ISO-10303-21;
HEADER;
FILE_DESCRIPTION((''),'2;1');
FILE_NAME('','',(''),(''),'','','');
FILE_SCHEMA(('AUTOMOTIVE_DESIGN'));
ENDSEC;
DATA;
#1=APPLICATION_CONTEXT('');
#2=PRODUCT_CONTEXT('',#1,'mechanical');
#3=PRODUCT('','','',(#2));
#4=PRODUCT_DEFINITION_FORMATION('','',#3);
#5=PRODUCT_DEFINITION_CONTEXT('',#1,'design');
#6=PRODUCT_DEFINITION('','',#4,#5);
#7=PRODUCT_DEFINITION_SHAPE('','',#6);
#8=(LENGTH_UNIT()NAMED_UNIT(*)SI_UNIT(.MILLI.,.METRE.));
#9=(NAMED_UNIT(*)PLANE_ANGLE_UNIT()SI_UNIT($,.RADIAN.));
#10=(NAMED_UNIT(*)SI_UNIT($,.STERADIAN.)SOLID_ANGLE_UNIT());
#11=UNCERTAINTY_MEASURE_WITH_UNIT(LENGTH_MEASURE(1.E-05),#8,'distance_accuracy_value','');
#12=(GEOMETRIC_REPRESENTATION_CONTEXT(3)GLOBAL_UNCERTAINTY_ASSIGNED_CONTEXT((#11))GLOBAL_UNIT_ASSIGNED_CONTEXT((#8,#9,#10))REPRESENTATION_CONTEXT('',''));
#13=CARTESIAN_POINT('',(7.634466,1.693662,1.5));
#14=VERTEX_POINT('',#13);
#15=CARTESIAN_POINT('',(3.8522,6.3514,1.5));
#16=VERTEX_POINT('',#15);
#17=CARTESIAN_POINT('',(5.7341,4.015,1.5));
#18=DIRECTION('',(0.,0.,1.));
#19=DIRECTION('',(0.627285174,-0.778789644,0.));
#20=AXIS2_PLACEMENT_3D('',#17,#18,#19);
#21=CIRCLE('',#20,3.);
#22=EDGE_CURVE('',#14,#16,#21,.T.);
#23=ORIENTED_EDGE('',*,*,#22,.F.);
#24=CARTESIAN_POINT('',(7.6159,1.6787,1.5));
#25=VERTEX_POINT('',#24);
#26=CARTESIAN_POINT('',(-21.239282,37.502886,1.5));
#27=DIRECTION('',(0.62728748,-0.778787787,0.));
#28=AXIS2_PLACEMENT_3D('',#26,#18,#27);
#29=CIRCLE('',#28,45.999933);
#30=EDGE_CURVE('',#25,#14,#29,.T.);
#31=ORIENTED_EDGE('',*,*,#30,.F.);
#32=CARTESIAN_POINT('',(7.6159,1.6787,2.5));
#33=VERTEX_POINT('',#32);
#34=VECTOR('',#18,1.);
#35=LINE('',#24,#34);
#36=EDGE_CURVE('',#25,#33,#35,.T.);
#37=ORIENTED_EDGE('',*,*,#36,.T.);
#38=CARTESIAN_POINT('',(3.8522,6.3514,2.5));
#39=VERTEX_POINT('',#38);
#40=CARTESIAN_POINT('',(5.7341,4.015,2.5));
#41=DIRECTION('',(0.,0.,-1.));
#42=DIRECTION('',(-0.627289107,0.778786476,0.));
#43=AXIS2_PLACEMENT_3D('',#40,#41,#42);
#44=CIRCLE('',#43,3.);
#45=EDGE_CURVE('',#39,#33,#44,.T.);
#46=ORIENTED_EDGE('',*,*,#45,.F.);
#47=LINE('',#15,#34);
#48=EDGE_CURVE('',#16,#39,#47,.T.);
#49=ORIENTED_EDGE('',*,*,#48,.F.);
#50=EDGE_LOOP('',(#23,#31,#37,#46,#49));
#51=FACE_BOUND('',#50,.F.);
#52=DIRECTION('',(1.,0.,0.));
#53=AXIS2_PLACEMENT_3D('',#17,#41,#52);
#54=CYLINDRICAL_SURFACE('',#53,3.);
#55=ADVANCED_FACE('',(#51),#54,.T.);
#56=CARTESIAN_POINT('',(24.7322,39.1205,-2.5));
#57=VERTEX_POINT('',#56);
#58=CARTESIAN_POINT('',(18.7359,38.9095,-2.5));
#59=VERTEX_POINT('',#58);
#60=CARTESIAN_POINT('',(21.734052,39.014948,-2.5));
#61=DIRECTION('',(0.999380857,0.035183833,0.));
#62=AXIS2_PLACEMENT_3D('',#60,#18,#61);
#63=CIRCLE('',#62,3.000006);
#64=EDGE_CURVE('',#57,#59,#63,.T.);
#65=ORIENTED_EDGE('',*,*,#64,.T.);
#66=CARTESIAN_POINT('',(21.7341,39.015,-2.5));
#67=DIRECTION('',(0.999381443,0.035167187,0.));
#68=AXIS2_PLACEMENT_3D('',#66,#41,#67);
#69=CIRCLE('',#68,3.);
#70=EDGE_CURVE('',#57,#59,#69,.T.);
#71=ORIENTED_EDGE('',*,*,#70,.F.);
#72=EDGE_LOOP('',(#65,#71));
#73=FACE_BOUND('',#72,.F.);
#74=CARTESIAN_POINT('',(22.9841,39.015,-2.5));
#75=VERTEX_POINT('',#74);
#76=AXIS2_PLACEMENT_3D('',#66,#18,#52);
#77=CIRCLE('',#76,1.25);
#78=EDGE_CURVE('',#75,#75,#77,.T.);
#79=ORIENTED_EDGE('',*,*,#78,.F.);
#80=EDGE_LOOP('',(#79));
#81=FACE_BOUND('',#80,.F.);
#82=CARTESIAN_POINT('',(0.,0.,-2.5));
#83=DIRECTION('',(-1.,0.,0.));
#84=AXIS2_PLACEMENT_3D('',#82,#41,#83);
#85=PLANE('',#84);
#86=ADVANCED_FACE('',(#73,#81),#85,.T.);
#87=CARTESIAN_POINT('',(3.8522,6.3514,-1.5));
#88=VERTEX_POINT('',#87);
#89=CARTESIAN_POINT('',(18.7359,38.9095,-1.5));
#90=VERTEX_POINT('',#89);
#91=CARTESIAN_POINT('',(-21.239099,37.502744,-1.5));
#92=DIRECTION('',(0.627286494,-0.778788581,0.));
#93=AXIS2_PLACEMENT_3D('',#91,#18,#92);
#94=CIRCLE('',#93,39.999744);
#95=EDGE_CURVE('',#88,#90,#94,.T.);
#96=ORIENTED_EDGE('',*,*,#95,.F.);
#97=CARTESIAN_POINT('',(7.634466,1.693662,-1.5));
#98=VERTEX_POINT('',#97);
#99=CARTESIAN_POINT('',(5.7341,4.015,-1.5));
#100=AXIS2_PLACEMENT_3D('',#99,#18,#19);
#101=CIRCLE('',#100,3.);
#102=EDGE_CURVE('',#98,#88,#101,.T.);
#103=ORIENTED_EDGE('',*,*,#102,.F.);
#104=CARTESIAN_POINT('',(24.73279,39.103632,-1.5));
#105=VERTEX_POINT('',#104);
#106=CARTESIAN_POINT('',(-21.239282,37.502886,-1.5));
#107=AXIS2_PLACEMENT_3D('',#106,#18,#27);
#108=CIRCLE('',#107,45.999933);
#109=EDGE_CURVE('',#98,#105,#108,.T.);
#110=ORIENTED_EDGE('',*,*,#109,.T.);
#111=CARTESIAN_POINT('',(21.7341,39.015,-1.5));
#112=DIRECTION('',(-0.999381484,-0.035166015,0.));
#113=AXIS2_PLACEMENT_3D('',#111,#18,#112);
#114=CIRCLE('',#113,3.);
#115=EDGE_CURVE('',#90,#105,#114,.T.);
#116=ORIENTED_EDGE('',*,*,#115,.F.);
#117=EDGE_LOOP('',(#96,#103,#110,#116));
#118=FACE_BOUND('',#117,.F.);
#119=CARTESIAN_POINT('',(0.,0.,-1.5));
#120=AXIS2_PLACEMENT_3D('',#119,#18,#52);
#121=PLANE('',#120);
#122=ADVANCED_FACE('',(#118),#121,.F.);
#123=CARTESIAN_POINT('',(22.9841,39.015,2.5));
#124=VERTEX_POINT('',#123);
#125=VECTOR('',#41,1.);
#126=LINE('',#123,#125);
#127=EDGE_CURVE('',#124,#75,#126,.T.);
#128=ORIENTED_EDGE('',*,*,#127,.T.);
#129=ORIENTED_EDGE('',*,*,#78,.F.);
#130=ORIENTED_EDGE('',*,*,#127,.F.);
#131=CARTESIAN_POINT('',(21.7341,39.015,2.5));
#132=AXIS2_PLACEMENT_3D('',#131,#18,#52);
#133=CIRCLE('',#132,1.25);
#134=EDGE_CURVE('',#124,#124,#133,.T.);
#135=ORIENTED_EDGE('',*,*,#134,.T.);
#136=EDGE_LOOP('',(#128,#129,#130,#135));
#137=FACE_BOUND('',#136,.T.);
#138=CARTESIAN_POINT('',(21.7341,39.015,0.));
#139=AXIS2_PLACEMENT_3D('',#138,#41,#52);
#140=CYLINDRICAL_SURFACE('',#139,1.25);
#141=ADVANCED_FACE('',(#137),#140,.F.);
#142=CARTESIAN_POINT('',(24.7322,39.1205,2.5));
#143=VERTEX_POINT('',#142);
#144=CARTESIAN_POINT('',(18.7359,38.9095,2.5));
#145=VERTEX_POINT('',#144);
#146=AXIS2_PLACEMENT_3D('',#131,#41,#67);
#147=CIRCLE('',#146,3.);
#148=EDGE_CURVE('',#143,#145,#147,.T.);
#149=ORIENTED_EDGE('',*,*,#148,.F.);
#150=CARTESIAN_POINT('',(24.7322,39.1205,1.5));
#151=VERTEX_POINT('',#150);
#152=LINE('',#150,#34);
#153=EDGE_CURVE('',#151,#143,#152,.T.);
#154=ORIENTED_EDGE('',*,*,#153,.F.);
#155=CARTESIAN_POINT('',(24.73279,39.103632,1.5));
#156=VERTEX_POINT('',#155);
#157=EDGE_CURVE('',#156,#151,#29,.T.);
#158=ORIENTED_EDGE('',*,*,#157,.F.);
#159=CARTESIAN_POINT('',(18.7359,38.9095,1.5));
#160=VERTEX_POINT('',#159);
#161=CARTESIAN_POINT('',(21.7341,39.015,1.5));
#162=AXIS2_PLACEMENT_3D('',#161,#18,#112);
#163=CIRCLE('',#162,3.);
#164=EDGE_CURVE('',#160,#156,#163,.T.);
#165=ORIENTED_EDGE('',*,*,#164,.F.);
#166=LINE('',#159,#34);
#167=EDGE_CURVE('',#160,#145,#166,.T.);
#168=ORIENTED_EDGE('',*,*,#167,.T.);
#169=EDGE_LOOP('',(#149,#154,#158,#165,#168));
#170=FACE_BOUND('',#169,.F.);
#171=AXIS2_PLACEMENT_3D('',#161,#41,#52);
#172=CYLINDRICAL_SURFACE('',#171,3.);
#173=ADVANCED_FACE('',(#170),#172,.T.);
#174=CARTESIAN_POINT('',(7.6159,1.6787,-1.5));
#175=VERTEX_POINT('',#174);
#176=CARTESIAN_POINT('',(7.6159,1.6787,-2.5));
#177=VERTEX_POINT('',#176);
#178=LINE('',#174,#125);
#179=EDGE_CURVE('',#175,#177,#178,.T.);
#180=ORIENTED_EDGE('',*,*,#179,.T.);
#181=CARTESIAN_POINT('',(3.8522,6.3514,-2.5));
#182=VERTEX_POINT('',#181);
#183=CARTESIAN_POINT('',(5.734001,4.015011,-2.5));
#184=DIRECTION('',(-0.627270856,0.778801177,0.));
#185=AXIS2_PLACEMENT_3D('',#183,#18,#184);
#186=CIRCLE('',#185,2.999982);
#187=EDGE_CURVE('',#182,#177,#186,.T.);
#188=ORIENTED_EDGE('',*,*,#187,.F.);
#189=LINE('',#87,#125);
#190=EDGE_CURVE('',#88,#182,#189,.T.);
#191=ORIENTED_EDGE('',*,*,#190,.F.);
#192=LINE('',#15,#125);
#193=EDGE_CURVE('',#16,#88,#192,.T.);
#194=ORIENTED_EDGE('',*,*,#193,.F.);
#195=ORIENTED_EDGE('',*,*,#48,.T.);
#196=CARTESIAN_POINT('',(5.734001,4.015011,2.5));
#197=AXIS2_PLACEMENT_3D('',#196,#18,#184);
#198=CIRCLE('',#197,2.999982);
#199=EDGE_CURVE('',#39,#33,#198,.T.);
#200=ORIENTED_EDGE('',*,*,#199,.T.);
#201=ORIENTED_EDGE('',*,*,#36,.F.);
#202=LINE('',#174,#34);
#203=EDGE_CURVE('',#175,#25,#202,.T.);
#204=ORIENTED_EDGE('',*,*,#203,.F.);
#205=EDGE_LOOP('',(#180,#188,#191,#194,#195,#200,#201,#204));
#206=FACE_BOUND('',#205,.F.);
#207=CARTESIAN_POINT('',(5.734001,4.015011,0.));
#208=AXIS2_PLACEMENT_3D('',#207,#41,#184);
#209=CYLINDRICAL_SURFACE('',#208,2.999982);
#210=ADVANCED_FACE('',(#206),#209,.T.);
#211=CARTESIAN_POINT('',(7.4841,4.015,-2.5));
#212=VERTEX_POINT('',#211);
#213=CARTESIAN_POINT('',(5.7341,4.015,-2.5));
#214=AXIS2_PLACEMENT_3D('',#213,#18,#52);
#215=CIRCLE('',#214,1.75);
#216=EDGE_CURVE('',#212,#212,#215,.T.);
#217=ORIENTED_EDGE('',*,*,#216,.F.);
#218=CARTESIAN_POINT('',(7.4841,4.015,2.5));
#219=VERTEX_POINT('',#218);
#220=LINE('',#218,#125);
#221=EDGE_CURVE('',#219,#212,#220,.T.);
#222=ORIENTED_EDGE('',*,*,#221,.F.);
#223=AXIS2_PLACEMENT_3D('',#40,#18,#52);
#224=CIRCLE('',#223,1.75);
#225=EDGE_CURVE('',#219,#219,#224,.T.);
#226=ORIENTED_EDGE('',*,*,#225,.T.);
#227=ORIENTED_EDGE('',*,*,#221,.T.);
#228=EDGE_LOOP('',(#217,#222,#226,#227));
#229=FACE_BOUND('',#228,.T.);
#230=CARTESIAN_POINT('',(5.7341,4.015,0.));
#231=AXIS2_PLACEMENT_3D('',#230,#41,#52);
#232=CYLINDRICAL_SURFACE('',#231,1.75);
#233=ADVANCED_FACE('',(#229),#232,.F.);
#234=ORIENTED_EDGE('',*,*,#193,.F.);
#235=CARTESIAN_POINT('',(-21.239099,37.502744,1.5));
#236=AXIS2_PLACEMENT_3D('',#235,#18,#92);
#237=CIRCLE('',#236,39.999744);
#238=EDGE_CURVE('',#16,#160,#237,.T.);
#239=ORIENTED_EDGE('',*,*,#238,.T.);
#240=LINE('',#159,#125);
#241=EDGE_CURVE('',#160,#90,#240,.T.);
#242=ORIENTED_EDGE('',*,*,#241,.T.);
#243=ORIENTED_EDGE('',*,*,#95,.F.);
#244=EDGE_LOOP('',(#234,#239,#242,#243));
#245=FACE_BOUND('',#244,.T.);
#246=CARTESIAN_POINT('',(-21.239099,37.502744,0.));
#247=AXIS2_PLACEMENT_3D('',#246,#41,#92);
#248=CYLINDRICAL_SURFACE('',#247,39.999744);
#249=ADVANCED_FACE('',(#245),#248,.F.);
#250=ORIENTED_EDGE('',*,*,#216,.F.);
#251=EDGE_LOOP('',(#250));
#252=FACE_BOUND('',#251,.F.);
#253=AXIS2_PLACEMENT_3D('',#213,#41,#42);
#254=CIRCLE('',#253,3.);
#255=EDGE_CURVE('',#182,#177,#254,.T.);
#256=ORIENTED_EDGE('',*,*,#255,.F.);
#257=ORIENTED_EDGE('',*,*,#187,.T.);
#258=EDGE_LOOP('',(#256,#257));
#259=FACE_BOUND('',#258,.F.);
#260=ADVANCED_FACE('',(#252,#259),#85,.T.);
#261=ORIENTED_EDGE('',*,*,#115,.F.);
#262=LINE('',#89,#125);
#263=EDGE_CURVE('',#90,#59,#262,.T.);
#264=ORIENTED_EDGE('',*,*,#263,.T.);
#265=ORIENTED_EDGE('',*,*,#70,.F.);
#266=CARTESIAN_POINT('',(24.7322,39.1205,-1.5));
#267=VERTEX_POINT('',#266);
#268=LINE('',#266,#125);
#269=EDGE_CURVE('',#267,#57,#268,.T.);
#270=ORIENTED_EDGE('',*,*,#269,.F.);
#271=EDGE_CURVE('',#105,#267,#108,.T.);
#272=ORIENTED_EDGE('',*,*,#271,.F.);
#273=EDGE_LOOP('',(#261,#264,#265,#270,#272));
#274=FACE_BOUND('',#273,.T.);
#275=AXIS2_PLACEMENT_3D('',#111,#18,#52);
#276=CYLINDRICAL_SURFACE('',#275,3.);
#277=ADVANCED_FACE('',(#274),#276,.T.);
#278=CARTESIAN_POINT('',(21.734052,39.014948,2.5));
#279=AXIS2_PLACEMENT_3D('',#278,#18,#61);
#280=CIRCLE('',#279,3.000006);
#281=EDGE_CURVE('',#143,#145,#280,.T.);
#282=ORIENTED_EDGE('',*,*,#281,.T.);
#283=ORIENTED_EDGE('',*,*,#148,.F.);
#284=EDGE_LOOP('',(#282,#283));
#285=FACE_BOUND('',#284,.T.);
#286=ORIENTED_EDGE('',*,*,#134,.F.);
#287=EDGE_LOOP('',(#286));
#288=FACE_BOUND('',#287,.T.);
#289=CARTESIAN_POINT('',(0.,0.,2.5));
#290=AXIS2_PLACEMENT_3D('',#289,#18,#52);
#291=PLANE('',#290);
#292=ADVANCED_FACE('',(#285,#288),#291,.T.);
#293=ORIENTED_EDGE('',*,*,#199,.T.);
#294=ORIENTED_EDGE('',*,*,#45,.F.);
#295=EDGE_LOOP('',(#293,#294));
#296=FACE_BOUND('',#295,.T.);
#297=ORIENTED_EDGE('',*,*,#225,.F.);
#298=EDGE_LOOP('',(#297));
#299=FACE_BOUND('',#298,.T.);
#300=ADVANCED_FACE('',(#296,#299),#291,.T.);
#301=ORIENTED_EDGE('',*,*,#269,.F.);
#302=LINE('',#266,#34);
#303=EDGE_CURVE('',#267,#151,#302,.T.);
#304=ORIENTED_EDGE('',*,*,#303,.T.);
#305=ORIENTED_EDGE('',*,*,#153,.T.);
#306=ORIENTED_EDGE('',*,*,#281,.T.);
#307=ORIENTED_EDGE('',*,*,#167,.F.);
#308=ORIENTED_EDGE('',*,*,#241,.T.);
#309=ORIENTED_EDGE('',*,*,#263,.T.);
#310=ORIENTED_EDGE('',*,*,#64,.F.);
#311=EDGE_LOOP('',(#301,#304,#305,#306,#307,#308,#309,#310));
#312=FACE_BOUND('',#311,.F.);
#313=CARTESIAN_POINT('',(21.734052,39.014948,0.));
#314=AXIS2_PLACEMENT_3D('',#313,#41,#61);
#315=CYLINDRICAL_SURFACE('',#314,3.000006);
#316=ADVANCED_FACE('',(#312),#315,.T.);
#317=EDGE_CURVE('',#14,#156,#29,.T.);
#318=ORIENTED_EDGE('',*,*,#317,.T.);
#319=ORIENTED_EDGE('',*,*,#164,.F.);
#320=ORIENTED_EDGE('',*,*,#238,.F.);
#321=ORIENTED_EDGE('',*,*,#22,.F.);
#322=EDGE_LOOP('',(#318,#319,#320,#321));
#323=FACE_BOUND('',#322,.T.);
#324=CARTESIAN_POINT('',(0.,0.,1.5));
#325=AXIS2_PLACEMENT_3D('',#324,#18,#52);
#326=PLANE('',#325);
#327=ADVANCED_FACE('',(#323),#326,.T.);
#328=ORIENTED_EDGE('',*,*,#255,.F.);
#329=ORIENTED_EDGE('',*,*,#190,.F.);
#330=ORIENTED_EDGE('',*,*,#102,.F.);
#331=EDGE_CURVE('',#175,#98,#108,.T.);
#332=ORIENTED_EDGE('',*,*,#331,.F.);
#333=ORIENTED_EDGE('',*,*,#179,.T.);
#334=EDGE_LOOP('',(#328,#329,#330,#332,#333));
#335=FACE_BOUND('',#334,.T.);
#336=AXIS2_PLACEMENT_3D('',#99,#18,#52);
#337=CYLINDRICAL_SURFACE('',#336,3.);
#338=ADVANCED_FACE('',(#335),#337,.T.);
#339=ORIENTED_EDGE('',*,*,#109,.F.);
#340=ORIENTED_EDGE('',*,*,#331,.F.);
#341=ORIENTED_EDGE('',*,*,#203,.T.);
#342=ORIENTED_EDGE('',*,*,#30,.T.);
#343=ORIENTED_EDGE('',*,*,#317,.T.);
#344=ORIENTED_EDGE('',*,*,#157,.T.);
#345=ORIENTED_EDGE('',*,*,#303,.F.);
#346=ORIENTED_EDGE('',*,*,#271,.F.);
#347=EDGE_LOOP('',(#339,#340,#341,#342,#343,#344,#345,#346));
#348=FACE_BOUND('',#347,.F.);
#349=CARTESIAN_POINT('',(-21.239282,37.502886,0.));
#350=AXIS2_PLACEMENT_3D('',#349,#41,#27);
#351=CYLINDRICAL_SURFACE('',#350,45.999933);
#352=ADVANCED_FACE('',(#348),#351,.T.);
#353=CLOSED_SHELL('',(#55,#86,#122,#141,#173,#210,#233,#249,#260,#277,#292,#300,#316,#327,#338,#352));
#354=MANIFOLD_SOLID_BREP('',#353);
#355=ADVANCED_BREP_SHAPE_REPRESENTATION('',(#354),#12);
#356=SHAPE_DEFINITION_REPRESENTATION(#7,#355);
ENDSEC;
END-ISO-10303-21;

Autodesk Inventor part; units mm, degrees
ref_plane "YZ Plane" through (0, 0, 0) normal (1, 0, 0) x (0, 1, 0)
ref_plane "XZ Plane" through (0, 0, 0) normal (0, 1, 0) x (-1, 0, 0)
ref_plane "XY Plane" through (0, 0, 0) normal (0, 0, 1) x (1, 0, 0)
sketch "Sketch2" plane through (0, 0, 0) normal (0, 0, 1) x (1, 0, 0)
  circle A0 centre (21.7341, 39.015) radius 1.25
  arc A1 (5.7341, 4.015) -> (21.7341, 39.015) centre (-21.2393, 37.5029) ccw construction
  arc A2 (7.6159, 1.6787) -> (24.7322, 39.1205) centre (-21.2393, 37.5029) ccw
  arc A3 (3.8522, 6.3514) -> (18.7359, 38.9095) centre (-21.2393, 37.5029) ccw
  arc A4 (3.8522, 6.3514) -> (7.6159, 1.6787) centre (5.7341, 4.015) ccw
  arc A5 (24.7322, 39.1205) -> (18.7359, 38.9095) centre (21.7341, 39.015) ccw
  circle A6 centre (5.7341, 4.015) radius 1.75
  dimension "d18" = 6
  dimension "d21" = 40
  dimension "d22" = 35
  dimension "d23" = 16
  dimension "d24" = 2.5
  dimension "d26" = 3.5
extrude "Extrusion1" add sketch "Sketch2" along normal mid plane 3
sketch "Sketch3" plane through (0, 0, 1.5) normal (0, 0, 1) x (1, 0, 0)
  arc A0 (3.8522, 6.3514) -> (7.6159, 1.6787) centre (5.7341, 4.015) ccw projected
  arc A1 (24.7322, 39.1205) -> (18.7359, 38.9095) centre (21.7341, 39.015) ccw projected
  circle A2 centre (5.7341, 4.015) radius 1.75 projected
  circle A3 centre (21.7341, 39.015) radius 1.25 projected
  circle A4 centre (5.7341, 4.015) radius 3
  circle A5 centre (21.7341, 39.015) radius 3
  point P0 (0, 0)
  point P1 (18.7359, 38.9095)
  point P2 (24.7322, 39.1205)
  point P3 (7.6159, 1.6787)
  point P4 (3.8522, 6.3514)
extrude "Extrusion2" add sketch "Sketch3" along normal blind 1
mirror "Mirror1" about plane through (0, 0, 0) normal (0, 0, 1) of "Extrusion2"
properties part number "tolo"
